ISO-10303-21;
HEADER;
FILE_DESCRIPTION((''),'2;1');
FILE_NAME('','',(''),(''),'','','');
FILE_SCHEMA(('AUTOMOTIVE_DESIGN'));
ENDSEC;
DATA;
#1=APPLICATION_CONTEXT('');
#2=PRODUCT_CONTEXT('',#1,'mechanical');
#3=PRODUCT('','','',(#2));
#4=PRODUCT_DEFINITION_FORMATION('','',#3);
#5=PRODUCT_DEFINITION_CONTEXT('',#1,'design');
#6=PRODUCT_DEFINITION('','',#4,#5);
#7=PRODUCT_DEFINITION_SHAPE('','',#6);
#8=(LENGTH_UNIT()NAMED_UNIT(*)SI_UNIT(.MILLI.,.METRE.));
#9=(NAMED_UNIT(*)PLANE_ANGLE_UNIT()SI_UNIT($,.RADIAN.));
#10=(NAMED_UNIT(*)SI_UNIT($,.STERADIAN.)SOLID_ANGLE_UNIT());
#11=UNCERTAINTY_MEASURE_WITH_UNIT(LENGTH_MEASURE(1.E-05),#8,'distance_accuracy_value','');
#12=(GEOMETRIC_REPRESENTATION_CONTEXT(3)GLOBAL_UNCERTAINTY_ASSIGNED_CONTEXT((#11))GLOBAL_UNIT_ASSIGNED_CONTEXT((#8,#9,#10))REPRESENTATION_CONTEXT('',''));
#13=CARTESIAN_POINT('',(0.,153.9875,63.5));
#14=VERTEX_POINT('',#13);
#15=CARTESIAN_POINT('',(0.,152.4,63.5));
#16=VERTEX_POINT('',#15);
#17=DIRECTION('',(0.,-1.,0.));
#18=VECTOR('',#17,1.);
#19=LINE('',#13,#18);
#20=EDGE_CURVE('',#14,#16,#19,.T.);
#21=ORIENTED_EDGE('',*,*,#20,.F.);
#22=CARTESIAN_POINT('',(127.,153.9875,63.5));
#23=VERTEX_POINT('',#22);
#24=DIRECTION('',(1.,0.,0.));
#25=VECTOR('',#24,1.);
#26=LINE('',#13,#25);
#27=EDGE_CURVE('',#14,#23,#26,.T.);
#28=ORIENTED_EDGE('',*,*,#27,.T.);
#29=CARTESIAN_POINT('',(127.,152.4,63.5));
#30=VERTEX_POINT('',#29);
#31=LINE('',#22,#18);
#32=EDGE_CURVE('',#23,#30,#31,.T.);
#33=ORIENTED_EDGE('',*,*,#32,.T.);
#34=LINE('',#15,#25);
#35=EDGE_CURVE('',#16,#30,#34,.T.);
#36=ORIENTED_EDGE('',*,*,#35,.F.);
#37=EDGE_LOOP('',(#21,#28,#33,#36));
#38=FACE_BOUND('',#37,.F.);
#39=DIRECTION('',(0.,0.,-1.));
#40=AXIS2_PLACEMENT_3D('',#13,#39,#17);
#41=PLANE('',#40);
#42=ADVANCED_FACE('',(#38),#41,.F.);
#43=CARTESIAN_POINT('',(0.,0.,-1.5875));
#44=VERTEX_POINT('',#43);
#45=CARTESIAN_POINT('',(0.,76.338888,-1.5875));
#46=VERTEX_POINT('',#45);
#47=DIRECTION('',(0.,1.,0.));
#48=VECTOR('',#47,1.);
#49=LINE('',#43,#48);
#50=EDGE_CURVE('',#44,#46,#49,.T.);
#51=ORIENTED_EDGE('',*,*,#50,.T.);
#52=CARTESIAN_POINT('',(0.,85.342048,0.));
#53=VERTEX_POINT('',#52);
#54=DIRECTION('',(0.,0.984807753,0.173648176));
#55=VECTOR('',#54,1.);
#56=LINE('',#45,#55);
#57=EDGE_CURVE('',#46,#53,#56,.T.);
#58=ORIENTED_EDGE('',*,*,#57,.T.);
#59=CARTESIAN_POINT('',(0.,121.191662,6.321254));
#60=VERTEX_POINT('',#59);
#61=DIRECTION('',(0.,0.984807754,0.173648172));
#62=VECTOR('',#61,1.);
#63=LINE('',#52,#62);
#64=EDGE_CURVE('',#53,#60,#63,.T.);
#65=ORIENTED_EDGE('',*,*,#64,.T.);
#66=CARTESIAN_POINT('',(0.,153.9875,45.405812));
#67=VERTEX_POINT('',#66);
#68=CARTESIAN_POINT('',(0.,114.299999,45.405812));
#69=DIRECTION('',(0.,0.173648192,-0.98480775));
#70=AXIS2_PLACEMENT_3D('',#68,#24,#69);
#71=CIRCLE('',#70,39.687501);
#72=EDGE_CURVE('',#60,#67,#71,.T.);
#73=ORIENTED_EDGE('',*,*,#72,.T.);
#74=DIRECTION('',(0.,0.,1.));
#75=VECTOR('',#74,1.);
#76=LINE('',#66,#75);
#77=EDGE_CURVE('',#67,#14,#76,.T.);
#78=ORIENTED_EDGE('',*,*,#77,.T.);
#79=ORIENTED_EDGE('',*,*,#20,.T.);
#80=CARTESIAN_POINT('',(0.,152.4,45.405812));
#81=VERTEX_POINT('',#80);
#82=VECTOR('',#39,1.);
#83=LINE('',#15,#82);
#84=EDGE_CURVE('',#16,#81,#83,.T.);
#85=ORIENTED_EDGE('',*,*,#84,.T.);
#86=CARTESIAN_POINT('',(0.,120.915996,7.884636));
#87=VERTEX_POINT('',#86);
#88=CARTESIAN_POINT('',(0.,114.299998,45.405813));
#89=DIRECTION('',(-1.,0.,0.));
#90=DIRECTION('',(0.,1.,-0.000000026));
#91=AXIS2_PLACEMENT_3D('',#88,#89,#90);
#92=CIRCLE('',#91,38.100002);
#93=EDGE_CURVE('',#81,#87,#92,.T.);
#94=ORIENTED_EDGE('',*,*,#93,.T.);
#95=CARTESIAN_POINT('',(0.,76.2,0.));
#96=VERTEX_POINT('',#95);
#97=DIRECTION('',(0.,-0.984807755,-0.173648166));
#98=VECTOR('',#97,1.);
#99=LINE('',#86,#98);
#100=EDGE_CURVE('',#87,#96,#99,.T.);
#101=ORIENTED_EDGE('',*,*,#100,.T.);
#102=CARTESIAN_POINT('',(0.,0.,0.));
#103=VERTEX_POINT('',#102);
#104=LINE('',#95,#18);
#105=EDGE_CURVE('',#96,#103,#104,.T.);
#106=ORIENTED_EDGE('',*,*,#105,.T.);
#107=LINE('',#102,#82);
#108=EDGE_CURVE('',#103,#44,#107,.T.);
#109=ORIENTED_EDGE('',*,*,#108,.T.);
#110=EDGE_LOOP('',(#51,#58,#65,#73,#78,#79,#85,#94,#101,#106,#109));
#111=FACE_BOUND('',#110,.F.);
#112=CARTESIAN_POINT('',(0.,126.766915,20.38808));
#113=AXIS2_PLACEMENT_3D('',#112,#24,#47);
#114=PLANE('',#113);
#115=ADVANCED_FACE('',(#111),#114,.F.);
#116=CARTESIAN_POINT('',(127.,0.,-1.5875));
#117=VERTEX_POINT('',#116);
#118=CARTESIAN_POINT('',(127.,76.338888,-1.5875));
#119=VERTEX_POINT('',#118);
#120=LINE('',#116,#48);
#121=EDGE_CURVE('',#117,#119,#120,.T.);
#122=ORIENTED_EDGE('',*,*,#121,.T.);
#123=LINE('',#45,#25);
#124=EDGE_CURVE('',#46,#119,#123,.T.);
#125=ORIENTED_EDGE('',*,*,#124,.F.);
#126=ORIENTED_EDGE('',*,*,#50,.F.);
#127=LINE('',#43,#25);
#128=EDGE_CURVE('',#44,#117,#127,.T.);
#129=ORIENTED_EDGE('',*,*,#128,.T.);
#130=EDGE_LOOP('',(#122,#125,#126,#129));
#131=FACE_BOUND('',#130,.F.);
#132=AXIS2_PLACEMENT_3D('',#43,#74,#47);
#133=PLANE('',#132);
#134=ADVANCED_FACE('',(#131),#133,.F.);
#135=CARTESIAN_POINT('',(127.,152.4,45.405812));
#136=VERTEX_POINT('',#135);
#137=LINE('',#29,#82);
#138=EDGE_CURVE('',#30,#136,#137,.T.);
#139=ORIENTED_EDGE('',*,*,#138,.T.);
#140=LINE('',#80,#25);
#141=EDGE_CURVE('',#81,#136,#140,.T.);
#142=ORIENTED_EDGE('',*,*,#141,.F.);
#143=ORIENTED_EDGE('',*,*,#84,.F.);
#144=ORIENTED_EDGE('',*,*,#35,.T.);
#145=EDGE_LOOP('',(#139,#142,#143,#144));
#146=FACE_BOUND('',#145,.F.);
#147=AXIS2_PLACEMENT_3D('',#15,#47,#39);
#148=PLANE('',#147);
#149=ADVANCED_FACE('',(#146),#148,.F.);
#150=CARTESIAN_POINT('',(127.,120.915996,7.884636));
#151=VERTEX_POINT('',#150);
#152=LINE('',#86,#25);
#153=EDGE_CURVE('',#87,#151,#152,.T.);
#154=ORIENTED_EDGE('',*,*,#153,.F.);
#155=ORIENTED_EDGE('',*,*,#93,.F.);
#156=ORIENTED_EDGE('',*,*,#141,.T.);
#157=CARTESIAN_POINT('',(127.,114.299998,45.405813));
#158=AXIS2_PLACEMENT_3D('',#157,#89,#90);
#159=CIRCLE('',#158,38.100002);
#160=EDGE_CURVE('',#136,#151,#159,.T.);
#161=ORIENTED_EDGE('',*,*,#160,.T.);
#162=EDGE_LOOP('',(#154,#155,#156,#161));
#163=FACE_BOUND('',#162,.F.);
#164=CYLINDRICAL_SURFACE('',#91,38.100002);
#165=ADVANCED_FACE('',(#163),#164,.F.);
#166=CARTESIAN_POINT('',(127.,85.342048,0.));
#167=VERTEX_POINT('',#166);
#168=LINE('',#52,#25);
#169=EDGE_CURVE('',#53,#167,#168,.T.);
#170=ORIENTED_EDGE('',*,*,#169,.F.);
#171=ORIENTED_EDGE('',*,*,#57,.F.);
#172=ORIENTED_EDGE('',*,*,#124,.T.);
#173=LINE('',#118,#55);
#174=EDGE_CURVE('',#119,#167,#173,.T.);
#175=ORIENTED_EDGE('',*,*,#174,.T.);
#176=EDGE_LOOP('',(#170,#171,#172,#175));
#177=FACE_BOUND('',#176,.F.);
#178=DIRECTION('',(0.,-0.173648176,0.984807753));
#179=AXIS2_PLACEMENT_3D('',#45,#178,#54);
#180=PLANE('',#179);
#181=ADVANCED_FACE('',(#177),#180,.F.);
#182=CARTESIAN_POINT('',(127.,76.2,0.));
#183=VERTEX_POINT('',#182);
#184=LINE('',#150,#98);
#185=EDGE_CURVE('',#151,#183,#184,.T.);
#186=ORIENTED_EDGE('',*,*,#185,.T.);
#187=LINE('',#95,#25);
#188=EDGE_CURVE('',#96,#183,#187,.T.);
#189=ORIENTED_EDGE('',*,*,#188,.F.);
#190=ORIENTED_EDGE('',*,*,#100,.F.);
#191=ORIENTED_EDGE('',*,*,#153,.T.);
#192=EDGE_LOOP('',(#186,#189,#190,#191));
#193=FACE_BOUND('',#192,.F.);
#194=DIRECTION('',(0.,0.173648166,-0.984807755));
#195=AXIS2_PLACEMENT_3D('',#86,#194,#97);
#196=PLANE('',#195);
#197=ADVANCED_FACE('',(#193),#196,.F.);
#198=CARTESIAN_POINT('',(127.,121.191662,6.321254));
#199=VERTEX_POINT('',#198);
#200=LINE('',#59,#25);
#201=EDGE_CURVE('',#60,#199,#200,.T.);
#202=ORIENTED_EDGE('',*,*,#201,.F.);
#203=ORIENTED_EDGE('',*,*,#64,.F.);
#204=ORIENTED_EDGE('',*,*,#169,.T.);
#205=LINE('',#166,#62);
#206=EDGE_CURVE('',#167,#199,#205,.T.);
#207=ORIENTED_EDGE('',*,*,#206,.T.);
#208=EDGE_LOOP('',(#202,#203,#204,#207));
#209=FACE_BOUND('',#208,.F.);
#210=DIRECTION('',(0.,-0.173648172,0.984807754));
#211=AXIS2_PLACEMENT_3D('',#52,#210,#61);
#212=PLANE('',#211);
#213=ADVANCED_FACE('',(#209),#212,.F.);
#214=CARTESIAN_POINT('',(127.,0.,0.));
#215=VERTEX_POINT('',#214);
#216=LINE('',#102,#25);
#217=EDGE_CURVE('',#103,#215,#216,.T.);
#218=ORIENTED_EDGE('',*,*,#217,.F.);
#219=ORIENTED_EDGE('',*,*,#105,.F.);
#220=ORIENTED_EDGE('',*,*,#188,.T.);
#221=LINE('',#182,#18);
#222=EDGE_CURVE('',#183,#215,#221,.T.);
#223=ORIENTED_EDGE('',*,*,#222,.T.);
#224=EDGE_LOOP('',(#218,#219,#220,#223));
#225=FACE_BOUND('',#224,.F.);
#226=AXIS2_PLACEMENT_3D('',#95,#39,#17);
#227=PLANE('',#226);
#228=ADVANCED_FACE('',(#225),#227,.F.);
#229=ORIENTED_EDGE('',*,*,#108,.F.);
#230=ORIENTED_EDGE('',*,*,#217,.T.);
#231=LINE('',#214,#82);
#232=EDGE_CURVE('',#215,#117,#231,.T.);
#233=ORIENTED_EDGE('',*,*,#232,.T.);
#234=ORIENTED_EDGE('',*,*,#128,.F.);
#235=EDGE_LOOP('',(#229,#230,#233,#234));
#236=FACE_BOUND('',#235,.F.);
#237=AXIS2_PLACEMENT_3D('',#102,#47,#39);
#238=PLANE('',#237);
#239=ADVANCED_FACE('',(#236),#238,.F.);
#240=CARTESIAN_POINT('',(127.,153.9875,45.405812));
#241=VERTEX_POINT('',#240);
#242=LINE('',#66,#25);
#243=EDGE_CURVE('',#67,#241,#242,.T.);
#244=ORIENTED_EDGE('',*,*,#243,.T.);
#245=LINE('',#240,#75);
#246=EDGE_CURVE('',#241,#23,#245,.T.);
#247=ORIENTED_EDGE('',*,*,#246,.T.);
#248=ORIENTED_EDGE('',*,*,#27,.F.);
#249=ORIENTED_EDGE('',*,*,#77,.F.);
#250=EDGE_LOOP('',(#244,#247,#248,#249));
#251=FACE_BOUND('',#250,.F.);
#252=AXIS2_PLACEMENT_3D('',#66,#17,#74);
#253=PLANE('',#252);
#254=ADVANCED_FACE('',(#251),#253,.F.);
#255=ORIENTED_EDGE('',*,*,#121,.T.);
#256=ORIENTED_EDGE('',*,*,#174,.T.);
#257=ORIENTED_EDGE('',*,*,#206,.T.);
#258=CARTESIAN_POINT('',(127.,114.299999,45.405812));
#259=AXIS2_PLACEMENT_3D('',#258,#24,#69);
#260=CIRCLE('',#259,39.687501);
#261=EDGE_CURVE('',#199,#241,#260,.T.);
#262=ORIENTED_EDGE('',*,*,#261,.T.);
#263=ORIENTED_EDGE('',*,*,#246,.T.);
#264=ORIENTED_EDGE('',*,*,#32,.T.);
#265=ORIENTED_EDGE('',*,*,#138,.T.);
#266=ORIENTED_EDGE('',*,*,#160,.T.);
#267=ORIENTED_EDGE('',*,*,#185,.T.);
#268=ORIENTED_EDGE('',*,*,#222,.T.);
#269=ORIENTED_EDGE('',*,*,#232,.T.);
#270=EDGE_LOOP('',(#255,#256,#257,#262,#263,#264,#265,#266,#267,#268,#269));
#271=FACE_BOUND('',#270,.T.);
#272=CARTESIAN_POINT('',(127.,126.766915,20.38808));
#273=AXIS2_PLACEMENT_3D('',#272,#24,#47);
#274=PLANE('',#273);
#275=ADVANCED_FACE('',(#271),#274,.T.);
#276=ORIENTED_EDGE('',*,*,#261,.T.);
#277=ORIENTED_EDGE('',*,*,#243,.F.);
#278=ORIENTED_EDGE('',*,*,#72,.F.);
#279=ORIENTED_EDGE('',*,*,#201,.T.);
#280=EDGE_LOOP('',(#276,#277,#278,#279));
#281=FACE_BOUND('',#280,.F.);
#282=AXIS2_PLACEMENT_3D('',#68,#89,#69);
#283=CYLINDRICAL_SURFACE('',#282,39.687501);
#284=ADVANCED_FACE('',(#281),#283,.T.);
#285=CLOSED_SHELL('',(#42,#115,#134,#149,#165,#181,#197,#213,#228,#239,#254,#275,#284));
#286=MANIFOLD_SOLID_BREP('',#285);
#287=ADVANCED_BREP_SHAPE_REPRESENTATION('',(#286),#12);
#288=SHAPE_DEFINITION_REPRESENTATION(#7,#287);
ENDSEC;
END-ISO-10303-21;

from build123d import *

# Parameters (mm, degrees)
F1_DEPTH = 127


with BuildPart() as f1:
    # F0 (on Right) → F1 (new body)
    with BuildSketch(Plane.YZ):
        with BuildLine():
            Line((120.915996, 7.884636), (76.2, 0))
            Line((76.2, 0), (85.342048, 0))
            Line((85.342048, 0), (121.191662, 6.321254))
            ThreePointArc((121.191662, 6.321254), (144.702389, 19.895179), (153.9875, 45.405812))
            Line((153.9875, 45.405812), (153.9875, 63.5))
            Line((153.9875, 63.5), (152.4, 63.5))
            Line((152.4, 63.5), (152.4, 45.405812))
            ThreePointArc((152.4, 45.405812), (143.486293, 20.915604), (120.915996, 7.884636))
        make_face()
        Polygon((76.2, 0), (0, 0), (0, -1.5875), (76.338888, -1.5875), (85.342048, 0), align=None)
    extrude(amount=F1_DEPTH)


solid = f1.part
